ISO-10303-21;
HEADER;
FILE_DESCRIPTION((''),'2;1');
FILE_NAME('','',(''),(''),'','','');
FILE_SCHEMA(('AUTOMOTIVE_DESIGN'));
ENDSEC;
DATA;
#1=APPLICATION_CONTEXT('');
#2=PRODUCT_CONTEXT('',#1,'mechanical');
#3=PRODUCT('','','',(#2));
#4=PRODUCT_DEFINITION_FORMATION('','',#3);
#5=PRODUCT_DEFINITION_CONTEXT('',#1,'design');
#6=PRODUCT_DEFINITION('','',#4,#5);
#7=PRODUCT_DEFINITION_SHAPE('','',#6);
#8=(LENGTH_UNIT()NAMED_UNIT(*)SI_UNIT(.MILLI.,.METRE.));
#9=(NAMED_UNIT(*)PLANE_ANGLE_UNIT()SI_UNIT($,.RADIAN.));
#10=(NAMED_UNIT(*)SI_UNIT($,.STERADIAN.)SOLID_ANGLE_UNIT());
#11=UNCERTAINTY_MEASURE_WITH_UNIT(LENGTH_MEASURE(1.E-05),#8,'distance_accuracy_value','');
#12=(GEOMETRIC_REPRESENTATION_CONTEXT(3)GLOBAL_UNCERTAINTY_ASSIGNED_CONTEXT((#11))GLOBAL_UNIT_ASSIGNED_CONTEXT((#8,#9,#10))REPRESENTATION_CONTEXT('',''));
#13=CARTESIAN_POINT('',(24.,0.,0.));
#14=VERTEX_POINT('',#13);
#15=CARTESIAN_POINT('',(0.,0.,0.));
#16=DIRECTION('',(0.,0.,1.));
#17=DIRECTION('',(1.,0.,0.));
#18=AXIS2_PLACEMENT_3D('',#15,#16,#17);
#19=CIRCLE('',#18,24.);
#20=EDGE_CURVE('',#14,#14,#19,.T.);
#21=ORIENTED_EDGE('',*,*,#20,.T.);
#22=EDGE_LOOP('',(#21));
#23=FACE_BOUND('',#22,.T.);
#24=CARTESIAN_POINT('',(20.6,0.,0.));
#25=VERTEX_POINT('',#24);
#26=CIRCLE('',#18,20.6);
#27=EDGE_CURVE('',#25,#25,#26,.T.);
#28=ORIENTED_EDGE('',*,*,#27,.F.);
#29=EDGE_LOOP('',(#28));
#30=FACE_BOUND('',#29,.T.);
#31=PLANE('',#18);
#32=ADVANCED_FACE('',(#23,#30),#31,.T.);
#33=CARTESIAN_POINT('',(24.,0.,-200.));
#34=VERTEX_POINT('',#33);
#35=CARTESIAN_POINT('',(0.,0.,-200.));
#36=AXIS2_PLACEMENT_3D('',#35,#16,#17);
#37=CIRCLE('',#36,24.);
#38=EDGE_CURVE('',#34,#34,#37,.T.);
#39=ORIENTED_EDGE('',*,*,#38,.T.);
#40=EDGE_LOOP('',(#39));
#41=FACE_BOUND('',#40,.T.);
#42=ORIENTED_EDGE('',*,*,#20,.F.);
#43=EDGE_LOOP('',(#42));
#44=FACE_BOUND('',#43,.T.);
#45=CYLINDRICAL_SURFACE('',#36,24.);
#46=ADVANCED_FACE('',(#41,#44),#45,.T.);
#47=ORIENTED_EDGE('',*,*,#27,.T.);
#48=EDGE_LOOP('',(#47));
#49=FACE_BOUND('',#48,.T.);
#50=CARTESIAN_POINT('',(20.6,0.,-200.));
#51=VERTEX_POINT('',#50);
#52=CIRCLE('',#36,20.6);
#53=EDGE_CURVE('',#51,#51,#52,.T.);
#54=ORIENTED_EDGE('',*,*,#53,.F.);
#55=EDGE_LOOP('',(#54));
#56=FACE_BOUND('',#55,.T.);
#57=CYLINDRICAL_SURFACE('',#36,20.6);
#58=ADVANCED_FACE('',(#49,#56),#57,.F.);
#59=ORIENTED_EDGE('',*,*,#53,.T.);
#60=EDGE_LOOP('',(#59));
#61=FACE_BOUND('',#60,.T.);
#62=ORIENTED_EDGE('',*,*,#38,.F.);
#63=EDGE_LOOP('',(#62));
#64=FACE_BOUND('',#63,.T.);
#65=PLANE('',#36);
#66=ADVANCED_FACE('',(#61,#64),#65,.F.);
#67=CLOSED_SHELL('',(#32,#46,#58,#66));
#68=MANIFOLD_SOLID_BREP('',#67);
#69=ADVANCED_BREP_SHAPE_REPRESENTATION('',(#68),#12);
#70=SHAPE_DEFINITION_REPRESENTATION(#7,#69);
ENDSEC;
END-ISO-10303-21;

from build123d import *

# Parameters (mm, degrees)
SKETCH1_R           = 24
SKETCH1_R_2         = 20.6
BOSS_EXTRUDE1_DEPTH = 200


with BuildPart() as part:
    # Sketch1 → Boss-Extrude1 (new body)
    with BuildSketch(Plane.XY):
        Circle(SKETCH1_R)
        Circle(SKETCH1_R_2, mode=Mode.SUBTRACT)
    extrude(amount=-BOSS_EXTRUDE1_DEPTH)


solid = part.part
